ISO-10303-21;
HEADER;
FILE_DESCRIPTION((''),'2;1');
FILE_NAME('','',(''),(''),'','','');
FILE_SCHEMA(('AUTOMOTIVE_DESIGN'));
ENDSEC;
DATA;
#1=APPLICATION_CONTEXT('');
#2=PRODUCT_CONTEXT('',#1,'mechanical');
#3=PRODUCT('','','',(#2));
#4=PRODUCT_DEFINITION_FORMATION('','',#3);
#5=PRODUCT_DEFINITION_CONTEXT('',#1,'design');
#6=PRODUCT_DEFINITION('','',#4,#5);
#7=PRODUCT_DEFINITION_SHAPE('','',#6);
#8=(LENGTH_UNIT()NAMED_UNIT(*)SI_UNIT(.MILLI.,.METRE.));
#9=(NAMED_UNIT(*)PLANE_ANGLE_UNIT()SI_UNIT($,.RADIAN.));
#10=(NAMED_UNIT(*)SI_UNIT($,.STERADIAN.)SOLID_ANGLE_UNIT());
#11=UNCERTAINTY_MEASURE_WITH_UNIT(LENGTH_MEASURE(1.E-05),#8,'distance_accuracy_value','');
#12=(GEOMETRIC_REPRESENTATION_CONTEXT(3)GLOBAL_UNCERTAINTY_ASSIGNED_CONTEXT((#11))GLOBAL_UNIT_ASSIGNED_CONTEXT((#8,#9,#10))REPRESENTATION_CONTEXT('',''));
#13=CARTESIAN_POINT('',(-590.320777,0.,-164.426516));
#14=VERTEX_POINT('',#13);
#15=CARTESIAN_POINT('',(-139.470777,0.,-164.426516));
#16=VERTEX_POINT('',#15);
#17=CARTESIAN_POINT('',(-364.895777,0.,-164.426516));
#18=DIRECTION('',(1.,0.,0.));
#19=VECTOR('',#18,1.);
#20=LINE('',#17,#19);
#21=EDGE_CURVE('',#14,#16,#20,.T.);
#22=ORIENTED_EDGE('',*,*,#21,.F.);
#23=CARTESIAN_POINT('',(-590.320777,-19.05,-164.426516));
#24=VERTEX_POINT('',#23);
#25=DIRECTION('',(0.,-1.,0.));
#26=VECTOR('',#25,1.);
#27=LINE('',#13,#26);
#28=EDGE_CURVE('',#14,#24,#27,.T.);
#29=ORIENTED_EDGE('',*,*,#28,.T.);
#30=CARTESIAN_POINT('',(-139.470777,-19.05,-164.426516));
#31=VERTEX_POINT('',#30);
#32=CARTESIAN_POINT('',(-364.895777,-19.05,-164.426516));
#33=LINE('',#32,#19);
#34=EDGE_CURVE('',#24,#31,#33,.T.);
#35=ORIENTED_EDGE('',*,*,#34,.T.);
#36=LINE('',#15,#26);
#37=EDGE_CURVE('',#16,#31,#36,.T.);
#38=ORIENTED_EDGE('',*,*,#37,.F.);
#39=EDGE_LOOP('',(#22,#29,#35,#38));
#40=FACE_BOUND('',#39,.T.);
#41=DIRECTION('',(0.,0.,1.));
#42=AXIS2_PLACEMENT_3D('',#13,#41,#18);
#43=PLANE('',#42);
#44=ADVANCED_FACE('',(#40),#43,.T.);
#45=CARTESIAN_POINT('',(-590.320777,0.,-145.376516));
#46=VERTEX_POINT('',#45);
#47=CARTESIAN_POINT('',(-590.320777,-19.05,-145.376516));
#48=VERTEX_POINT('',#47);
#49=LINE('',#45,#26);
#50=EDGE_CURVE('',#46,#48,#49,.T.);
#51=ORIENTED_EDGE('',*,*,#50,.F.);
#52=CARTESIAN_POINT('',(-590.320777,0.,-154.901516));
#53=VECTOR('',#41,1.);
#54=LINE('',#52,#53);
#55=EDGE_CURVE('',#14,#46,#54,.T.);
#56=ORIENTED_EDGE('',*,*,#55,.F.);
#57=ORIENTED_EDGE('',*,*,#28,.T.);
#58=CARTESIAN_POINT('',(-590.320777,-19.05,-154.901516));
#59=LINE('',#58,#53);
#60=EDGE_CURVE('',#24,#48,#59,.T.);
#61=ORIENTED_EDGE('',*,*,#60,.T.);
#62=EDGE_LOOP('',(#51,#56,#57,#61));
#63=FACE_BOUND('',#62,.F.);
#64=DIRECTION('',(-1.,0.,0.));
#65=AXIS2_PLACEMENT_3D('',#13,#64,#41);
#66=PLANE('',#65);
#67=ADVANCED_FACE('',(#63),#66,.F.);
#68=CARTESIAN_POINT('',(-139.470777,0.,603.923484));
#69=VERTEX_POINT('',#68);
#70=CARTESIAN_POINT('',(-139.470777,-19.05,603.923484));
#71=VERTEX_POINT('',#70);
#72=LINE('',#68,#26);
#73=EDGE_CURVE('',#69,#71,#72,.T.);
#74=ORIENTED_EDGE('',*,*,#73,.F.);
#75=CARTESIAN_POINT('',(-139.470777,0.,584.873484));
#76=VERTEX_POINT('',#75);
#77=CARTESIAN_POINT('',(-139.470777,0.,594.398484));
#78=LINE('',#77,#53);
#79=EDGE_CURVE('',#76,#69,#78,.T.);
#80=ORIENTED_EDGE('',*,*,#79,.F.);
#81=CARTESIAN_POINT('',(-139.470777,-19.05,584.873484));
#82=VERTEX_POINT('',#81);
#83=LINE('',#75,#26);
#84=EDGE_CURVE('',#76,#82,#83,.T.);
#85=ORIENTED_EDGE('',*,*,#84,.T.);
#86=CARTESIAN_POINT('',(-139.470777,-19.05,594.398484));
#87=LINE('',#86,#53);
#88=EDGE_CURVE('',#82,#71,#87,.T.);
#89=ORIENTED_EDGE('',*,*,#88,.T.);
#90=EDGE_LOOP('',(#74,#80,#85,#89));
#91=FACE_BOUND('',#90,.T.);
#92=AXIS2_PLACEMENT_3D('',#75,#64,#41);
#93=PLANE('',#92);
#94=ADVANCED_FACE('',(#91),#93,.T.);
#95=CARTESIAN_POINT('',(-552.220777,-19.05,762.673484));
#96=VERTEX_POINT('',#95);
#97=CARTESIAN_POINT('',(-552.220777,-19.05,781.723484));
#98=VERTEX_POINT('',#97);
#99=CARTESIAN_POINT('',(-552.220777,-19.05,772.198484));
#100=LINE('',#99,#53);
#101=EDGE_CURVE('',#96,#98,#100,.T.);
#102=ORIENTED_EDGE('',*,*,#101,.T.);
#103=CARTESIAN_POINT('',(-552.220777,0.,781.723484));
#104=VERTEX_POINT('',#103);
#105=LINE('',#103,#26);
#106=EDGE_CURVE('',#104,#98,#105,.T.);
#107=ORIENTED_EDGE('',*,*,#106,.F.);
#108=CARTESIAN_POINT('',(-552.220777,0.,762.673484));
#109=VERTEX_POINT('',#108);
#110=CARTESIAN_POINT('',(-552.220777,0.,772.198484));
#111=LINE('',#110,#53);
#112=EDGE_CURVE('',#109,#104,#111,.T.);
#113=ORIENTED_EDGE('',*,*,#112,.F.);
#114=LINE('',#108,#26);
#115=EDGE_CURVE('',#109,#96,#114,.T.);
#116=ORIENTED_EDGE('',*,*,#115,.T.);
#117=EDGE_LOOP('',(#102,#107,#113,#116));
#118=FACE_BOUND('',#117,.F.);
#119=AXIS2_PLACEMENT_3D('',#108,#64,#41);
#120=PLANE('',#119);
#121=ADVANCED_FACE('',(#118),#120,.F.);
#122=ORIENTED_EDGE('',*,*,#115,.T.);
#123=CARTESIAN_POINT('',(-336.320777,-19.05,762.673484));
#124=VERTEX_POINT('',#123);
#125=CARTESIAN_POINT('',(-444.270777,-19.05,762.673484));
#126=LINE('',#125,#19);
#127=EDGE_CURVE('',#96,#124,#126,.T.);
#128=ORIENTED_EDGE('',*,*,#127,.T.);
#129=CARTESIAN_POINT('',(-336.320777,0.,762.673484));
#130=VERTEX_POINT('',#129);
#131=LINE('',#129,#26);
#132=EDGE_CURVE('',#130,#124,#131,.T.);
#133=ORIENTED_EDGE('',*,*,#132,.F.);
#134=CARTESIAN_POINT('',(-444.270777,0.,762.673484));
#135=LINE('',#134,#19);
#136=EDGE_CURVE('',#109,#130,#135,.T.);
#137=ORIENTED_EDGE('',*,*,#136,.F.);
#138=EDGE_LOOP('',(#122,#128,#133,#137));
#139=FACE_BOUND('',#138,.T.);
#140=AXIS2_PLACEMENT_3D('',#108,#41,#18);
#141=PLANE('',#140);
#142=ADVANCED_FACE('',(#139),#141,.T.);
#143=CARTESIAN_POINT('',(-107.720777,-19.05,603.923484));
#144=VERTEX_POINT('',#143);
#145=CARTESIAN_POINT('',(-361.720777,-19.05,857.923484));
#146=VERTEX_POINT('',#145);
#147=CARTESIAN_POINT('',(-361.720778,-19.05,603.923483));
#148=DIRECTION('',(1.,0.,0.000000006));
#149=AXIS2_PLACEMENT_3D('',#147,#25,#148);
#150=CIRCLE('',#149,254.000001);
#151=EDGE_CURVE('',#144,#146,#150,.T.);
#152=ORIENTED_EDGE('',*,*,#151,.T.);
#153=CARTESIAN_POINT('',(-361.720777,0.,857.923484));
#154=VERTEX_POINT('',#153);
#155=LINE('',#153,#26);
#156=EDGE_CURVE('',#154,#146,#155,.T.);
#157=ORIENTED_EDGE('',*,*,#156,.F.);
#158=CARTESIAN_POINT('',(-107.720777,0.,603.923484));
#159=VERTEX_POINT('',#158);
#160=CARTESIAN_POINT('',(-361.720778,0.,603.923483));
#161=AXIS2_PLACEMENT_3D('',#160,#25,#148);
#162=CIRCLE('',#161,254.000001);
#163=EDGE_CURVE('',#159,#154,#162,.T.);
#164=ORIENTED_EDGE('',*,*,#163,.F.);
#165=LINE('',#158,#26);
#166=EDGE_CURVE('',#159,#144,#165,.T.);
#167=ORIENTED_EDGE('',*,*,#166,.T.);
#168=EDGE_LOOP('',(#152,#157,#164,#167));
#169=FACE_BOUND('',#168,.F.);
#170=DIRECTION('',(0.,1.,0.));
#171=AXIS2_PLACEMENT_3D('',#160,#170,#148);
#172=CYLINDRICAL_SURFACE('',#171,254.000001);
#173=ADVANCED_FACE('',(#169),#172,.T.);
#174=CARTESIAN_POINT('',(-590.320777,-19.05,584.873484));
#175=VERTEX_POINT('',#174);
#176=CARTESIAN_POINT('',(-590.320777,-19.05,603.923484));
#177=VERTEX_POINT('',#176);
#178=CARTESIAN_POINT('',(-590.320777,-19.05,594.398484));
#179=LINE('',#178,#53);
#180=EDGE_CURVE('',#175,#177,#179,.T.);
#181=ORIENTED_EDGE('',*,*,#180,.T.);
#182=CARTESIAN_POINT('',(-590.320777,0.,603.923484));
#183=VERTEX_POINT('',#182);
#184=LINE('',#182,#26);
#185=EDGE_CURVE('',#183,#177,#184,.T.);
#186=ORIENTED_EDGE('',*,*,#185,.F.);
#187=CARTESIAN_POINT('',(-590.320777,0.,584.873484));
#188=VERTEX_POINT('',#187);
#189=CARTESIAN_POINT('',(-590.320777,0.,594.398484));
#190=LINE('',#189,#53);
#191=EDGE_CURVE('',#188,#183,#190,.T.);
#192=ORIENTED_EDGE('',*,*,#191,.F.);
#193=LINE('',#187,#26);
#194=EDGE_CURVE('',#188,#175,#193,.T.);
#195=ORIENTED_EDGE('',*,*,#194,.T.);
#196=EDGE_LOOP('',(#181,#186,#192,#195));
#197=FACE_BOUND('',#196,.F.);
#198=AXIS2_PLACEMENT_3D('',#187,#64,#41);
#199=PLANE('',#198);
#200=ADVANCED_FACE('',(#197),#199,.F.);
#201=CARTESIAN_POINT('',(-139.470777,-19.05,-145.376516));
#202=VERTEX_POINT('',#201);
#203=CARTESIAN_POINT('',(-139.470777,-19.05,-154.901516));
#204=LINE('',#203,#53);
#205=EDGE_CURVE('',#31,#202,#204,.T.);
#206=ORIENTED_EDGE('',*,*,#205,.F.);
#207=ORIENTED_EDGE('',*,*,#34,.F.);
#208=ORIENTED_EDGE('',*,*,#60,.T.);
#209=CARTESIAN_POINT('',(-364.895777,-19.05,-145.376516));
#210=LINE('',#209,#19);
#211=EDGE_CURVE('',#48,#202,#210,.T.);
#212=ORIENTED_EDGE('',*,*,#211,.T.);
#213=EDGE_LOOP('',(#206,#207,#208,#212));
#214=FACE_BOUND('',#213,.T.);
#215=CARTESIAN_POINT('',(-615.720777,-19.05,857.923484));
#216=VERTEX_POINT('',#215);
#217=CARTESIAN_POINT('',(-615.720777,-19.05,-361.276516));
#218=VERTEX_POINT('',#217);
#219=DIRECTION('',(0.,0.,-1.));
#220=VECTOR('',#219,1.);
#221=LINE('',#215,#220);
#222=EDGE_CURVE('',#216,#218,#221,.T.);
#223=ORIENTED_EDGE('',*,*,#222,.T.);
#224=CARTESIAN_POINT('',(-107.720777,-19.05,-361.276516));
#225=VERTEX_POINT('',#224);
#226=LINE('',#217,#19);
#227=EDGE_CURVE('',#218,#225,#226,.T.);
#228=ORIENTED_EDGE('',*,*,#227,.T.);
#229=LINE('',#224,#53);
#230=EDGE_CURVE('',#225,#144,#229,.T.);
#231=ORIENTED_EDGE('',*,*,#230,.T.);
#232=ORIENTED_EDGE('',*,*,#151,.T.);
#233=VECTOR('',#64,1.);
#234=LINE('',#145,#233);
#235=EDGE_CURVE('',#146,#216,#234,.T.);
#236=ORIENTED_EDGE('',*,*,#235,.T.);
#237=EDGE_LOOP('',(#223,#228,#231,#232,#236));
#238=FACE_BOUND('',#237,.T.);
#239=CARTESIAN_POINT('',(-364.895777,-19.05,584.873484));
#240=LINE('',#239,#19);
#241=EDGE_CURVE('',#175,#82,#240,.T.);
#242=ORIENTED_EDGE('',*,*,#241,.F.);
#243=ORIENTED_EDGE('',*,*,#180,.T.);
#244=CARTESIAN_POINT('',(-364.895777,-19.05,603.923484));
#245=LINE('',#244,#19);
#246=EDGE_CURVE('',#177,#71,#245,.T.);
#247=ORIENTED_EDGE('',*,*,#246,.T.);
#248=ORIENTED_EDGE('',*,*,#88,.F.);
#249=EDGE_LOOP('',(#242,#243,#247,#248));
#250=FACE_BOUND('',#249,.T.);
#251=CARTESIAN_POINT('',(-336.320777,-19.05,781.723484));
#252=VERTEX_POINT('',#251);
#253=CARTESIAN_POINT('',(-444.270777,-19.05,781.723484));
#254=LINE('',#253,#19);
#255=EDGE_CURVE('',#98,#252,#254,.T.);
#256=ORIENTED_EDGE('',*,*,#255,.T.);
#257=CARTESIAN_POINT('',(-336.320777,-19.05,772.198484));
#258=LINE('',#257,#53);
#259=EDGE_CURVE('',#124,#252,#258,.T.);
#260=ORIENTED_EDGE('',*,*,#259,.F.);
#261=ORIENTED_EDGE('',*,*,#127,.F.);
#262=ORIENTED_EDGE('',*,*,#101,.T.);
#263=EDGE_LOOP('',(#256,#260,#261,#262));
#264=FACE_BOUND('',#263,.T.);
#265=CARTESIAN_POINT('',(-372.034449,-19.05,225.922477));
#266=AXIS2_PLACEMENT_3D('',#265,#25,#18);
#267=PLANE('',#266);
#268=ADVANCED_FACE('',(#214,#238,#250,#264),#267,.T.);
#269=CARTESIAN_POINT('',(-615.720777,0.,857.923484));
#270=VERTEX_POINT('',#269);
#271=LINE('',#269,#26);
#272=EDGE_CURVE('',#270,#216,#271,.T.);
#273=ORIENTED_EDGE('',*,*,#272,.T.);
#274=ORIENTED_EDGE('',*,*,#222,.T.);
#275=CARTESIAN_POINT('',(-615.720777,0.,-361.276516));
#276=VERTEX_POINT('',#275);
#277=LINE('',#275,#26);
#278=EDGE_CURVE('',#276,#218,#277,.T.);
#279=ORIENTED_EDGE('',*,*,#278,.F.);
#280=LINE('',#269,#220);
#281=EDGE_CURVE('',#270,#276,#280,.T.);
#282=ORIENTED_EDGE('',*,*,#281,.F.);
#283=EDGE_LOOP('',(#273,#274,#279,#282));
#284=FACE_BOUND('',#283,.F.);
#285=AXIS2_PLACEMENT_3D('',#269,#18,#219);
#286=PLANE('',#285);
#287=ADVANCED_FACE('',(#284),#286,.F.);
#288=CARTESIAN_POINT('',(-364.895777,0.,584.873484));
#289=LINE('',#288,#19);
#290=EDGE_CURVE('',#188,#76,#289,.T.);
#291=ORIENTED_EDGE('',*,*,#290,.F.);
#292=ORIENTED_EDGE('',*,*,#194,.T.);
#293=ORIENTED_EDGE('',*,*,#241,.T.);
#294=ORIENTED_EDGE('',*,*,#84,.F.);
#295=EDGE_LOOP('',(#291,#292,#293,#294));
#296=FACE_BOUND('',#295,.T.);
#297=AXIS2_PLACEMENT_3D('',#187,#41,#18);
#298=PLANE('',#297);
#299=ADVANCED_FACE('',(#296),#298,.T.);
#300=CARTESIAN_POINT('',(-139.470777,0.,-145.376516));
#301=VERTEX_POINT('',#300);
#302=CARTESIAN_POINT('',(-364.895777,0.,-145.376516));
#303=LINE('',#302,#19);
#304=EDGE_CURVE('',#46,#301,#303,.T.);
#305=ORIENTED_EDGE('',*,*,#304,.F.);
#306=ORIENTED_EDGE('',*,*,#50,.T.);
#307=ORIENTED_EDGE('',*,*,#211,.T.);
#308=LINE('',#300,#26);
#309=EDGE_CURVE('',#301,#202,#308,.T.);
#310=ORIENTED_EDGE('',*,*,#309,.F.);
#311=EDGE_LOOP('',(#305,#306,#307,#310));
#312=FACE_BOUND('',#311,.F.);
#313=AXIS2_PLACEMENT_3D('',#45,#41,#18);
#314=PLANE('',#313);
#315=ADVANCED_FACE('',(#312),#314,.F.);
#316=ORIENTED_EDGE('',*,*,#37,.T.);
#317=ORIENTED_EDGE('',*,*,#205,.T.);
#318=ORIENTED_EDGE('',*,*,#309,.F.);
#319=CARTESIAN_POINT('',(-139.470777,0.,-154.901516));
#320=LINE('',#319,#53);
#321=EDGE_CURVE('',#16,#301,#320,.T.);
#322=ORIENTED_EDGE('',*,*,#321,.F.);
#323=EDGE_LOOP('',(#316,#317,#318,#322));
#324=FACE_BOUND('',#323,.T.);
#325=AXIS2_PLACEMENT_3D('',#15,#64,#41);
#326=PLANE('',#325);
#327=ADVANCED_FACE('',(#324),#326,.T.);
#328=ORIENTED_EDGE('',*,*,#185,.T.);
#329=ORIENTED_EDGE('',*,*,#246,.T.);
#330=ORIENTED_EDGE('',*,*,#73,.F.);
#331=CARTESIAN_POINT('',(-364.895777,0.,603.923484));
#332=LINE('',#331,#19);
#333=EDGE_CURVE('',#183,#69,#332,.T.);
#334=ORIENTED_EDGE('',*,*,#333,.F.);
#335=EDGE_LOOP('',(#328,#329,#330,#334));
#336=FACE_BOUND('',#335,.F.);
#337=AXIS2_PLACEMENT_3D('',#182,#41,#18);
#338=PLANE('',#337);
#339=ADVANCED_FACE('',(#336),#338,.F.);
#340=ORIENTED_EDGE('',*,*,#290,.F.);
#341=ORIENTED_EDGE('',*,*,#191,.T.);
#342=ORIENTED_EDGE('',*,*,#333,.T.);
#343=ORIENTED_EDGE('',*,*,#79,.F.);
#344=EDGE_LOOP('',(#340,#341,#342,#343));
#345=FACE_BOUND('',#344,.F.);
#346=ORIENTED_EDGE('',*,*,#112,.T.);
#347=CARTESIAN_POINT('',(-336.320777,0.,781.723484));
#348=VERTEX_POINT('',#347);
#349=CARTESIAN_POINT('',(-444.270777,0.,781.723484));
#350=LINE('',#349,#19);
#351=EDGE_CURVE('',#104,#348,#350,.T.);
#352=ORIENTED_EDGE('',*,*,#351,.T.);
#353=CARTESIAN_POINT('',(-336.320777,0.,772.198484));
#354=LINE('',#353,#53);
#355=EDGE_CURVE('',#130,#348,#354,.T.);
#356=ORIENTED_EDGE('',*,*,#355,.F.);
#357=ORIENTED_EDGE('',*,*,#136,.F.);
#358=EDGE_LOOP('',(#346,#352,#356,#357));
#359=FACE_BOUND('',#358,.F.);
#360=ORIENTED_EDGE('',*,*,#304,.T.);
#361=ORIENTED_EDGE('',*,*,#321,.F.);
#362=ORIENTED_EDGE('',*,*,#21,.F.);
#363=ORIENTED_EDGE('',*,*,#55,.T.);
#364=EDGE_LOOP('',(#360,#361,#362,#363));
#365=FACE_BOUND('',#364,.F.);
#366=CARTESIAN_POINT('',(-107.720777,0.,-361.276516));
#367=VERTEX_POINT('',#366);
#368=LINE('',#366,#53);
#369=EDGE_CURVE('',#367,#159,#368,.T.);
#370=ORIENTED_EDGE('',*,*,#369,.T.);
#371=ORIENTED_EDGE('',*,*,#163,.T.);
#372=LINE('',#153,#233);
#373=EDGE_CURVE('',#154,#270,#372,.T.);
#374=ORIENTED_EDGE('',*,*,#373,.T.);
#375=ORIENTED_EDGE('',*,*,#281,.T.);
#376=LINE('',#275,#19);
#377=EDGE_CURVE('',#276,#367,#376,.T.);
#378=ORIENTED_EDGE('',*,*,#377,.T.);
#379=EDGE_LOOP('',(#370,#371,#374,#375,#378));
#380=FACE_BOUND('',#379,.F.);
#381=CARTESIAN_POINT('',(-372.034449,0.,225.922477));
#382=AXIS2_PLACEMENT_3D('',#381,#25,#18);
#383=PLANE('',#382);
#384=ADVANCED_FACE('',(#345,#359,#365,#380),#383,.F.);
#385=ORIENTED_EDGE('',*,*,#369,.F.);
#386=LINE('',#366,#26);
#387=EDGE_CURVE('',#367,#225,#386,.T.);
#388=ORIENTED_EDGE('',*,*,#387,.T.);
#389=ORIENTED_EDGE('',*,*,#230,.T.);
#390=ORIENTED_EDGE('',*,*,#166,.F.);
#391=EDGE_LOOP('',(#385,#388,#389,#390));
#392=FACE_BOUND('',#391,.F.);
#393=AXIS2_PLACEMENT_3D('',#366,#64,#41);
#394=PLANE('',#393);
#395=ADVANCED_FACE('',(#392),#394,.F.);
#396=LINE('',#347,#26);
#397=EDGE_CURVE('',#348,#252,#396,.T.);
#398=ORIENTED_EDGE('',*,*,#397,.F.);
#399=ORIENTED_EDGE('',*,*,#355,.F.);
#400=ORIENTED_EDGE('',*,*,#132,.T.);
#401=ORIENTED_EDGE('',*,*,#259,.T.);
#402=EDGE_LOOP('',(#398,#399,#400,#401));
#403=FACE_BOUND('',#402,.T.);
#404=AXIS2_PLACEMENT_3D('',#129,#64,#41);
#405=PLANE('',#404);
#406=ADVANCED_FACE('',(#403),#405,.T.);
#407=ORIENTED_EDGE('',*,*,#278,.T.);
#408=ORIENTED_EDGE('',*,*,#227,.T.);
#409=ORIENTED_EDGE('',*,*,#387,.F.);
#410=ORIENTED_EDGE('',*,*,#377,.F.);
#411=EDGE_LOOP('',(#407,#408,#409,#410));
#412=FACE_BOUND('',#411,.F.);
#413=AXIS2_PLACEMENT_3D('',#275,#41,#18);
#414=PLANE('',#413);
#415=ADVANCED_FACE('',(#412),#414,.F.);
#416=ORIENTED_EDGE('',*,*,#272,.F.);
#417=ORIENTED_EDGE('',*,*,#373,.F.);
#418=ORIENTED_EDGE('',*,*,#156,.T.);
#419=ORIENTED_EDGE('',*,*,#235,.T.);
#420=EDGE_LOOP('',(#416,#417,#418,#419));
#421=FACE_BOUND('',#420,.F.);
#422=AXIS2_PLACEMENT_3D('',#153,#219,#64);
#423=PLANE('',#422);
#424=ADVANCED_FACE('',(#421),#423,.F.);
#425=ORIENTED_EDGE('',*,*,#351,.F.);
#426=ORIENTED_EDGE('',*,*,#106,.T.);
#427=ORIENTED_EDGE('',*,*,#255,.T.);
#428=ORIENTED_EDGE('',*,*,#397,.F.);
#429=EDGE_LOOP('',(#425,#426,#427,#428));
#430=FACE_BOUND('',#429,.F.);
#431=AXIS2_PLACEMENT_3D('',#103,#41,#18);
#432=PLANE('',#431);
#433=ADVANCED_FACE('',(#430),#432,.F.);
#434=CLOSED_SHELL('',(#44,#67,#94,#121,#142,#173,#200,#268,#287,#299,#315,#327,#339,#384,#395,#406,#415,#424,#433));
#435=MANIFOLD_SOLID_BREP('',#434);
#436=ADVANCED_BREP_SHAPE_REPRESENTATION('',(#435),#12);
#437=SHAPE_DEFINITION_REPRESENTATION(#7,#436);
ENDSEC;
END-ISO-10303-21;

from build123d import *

# Parameters (mm, degrees)
F0_W     = 450.85
F0_H     = 19.05
F0_W_2   = 215.9
F1_DEPTH = 19.05


with BuildPart() as f1:
    # F0 (on Front) → F1 (new body)
    with BuildSketch(Plane.XZ):
        with BuildLine():
            Line((-615.720777, 857.923484), (-615.720777, -361.276516))
            Line((-615.720777, -361.276516), (-107.720777, -361.276516))
            Line((-107.720777, -361.276516), (-107.720777, 603.923484))
            ThreePointArc((-107.720777, 603.923484), (-182.115655, 783.528606), (-361.720777, 857.923484))
            Line((-361.720777, 857.923484), (-615.720777, 857.923484))
        make_face()
        with Locations((-364.895777, -154.901516)):
            Rectangle(F0_W, F0_H, mode=Mode.SUBTRACT)
        with Locations((-364.895777, 594.398484)):
            Rectangle(F0_W, F0_H, mode=Mode.SUBTRACT)
        with Locations((-444.270777, 772.198484)):
            Rectangle(F0_W_2, F0_H, mode=Mode.SUBTRACT)
    extrude(amount=F1_DEPTH)


solid = f1.part
